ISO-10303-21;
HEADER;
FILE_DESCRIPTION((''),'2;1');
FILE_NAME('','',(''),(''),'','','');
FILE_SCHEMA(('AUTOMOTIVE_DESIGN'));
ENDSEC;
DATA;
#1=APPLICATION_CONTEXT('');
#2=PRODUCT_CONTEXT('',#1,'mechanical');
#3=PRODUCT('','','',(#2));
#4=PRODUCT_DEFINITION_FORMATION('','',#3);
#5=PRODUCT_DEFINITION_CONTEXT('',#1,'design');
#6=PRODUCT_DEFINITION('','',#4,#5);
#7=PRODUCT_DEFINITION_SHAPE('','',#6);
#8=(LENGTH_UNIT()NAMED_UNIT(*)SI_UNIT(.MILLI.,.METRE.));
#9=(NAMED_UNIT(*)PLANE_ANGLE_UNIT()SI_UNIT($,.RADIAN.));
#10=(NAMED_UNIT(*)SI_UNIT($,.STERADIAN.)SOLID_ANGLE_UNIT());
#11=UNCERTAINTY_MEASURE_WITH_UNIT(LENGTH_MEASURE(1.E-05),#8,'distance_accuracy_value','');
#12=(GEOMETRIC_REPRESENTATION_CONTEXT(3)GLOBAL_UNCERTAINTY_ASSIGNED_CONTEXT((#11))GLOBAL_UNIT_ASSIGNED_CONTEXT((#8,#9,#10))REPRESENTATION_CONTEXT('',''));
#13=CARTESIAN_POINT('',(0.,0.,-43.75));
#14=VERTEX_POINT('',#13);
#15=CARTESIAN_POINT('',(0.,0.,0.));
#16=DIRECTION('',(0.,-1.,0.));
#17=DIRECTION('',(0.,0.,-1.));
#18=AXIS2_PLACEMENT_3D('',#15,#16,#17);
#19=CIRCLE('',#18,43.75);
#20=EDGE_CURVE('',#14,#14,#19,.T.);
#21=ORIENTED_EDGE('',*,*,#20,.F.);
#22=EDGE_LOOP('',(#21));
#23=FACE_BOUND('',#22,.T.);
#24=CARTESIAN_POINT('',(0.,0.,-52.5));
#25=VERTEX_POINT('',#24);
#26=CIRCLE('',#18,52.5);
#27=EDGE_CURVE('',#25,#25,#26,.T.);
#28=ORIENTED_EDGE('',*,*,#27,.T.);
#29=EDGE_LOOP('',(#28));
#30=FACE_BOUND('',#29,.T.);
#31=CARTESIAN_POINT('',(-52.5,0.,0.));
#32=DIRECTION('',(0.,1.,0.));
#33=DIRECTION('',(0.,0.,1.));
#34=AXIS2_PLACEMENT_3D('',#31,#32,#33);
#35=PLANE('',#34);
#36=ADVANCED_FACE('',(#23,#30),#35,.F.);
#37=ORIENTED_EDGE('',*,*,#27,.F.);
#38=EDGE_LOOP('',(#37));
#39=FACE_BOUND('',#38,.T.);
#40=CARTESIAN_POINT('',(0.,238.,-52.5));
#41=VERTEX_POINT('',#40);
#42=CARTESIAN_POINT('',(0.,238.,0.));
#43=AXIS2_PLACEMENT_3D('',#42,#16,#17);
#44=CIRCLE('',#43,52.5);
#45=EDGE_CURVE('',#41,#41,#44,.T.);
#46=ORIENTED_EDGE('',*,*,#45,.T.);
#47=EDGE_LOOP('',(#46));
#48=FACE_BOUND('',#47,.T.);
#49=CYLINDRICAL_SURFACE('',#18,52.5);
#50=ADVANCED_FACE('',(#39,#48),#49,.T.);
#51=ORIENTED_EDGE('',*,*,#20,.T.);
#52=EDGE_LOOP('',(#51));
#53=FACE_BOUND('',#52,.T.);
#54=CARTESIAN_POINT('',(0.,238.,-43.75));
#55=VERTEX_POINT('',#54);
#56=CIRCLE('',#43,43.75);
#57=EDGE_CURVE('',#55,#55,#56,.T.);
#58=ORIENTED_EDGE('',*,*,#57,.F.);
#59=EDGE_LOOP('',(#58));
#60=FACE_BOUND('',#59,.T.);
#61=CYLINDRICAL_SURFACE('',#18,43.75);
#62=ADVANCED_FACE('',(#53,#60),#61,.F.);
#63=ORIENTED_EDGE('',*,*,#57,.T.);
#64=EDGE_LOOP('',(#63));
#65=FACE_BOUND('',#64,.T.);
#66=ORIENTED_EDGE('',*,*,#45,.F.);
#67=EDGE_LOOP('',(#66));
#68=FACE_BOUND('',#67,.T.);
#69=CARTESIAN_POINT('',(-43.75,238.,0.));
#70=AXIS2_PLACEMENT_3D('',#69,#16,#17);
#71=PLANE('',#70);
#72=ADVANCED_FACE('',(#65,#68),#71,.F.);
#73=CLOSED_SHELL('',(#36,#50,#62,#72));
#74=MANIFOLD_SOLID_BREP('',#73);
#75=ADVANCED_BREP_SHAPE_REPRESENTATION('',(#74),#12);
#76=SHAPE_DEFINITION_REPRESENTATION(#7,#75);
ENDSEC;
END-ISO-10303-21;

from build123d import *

# Parameters (mm, degrees)
CROQUIS1_W = 8.75
CROQUIS1_H = 238


with BuildPart() as part:
    # Croquis1 → Revolución1 (revolve)
    with BuildSketch(Plane.XY):
        with Locations((-48.125, 119)):
            Rectangle(CROQUIS1_W, CROQUIS1_H)
    revolve(axis=Axis((0, 0, 0), (0, 1, 0)))


solid = part.part
